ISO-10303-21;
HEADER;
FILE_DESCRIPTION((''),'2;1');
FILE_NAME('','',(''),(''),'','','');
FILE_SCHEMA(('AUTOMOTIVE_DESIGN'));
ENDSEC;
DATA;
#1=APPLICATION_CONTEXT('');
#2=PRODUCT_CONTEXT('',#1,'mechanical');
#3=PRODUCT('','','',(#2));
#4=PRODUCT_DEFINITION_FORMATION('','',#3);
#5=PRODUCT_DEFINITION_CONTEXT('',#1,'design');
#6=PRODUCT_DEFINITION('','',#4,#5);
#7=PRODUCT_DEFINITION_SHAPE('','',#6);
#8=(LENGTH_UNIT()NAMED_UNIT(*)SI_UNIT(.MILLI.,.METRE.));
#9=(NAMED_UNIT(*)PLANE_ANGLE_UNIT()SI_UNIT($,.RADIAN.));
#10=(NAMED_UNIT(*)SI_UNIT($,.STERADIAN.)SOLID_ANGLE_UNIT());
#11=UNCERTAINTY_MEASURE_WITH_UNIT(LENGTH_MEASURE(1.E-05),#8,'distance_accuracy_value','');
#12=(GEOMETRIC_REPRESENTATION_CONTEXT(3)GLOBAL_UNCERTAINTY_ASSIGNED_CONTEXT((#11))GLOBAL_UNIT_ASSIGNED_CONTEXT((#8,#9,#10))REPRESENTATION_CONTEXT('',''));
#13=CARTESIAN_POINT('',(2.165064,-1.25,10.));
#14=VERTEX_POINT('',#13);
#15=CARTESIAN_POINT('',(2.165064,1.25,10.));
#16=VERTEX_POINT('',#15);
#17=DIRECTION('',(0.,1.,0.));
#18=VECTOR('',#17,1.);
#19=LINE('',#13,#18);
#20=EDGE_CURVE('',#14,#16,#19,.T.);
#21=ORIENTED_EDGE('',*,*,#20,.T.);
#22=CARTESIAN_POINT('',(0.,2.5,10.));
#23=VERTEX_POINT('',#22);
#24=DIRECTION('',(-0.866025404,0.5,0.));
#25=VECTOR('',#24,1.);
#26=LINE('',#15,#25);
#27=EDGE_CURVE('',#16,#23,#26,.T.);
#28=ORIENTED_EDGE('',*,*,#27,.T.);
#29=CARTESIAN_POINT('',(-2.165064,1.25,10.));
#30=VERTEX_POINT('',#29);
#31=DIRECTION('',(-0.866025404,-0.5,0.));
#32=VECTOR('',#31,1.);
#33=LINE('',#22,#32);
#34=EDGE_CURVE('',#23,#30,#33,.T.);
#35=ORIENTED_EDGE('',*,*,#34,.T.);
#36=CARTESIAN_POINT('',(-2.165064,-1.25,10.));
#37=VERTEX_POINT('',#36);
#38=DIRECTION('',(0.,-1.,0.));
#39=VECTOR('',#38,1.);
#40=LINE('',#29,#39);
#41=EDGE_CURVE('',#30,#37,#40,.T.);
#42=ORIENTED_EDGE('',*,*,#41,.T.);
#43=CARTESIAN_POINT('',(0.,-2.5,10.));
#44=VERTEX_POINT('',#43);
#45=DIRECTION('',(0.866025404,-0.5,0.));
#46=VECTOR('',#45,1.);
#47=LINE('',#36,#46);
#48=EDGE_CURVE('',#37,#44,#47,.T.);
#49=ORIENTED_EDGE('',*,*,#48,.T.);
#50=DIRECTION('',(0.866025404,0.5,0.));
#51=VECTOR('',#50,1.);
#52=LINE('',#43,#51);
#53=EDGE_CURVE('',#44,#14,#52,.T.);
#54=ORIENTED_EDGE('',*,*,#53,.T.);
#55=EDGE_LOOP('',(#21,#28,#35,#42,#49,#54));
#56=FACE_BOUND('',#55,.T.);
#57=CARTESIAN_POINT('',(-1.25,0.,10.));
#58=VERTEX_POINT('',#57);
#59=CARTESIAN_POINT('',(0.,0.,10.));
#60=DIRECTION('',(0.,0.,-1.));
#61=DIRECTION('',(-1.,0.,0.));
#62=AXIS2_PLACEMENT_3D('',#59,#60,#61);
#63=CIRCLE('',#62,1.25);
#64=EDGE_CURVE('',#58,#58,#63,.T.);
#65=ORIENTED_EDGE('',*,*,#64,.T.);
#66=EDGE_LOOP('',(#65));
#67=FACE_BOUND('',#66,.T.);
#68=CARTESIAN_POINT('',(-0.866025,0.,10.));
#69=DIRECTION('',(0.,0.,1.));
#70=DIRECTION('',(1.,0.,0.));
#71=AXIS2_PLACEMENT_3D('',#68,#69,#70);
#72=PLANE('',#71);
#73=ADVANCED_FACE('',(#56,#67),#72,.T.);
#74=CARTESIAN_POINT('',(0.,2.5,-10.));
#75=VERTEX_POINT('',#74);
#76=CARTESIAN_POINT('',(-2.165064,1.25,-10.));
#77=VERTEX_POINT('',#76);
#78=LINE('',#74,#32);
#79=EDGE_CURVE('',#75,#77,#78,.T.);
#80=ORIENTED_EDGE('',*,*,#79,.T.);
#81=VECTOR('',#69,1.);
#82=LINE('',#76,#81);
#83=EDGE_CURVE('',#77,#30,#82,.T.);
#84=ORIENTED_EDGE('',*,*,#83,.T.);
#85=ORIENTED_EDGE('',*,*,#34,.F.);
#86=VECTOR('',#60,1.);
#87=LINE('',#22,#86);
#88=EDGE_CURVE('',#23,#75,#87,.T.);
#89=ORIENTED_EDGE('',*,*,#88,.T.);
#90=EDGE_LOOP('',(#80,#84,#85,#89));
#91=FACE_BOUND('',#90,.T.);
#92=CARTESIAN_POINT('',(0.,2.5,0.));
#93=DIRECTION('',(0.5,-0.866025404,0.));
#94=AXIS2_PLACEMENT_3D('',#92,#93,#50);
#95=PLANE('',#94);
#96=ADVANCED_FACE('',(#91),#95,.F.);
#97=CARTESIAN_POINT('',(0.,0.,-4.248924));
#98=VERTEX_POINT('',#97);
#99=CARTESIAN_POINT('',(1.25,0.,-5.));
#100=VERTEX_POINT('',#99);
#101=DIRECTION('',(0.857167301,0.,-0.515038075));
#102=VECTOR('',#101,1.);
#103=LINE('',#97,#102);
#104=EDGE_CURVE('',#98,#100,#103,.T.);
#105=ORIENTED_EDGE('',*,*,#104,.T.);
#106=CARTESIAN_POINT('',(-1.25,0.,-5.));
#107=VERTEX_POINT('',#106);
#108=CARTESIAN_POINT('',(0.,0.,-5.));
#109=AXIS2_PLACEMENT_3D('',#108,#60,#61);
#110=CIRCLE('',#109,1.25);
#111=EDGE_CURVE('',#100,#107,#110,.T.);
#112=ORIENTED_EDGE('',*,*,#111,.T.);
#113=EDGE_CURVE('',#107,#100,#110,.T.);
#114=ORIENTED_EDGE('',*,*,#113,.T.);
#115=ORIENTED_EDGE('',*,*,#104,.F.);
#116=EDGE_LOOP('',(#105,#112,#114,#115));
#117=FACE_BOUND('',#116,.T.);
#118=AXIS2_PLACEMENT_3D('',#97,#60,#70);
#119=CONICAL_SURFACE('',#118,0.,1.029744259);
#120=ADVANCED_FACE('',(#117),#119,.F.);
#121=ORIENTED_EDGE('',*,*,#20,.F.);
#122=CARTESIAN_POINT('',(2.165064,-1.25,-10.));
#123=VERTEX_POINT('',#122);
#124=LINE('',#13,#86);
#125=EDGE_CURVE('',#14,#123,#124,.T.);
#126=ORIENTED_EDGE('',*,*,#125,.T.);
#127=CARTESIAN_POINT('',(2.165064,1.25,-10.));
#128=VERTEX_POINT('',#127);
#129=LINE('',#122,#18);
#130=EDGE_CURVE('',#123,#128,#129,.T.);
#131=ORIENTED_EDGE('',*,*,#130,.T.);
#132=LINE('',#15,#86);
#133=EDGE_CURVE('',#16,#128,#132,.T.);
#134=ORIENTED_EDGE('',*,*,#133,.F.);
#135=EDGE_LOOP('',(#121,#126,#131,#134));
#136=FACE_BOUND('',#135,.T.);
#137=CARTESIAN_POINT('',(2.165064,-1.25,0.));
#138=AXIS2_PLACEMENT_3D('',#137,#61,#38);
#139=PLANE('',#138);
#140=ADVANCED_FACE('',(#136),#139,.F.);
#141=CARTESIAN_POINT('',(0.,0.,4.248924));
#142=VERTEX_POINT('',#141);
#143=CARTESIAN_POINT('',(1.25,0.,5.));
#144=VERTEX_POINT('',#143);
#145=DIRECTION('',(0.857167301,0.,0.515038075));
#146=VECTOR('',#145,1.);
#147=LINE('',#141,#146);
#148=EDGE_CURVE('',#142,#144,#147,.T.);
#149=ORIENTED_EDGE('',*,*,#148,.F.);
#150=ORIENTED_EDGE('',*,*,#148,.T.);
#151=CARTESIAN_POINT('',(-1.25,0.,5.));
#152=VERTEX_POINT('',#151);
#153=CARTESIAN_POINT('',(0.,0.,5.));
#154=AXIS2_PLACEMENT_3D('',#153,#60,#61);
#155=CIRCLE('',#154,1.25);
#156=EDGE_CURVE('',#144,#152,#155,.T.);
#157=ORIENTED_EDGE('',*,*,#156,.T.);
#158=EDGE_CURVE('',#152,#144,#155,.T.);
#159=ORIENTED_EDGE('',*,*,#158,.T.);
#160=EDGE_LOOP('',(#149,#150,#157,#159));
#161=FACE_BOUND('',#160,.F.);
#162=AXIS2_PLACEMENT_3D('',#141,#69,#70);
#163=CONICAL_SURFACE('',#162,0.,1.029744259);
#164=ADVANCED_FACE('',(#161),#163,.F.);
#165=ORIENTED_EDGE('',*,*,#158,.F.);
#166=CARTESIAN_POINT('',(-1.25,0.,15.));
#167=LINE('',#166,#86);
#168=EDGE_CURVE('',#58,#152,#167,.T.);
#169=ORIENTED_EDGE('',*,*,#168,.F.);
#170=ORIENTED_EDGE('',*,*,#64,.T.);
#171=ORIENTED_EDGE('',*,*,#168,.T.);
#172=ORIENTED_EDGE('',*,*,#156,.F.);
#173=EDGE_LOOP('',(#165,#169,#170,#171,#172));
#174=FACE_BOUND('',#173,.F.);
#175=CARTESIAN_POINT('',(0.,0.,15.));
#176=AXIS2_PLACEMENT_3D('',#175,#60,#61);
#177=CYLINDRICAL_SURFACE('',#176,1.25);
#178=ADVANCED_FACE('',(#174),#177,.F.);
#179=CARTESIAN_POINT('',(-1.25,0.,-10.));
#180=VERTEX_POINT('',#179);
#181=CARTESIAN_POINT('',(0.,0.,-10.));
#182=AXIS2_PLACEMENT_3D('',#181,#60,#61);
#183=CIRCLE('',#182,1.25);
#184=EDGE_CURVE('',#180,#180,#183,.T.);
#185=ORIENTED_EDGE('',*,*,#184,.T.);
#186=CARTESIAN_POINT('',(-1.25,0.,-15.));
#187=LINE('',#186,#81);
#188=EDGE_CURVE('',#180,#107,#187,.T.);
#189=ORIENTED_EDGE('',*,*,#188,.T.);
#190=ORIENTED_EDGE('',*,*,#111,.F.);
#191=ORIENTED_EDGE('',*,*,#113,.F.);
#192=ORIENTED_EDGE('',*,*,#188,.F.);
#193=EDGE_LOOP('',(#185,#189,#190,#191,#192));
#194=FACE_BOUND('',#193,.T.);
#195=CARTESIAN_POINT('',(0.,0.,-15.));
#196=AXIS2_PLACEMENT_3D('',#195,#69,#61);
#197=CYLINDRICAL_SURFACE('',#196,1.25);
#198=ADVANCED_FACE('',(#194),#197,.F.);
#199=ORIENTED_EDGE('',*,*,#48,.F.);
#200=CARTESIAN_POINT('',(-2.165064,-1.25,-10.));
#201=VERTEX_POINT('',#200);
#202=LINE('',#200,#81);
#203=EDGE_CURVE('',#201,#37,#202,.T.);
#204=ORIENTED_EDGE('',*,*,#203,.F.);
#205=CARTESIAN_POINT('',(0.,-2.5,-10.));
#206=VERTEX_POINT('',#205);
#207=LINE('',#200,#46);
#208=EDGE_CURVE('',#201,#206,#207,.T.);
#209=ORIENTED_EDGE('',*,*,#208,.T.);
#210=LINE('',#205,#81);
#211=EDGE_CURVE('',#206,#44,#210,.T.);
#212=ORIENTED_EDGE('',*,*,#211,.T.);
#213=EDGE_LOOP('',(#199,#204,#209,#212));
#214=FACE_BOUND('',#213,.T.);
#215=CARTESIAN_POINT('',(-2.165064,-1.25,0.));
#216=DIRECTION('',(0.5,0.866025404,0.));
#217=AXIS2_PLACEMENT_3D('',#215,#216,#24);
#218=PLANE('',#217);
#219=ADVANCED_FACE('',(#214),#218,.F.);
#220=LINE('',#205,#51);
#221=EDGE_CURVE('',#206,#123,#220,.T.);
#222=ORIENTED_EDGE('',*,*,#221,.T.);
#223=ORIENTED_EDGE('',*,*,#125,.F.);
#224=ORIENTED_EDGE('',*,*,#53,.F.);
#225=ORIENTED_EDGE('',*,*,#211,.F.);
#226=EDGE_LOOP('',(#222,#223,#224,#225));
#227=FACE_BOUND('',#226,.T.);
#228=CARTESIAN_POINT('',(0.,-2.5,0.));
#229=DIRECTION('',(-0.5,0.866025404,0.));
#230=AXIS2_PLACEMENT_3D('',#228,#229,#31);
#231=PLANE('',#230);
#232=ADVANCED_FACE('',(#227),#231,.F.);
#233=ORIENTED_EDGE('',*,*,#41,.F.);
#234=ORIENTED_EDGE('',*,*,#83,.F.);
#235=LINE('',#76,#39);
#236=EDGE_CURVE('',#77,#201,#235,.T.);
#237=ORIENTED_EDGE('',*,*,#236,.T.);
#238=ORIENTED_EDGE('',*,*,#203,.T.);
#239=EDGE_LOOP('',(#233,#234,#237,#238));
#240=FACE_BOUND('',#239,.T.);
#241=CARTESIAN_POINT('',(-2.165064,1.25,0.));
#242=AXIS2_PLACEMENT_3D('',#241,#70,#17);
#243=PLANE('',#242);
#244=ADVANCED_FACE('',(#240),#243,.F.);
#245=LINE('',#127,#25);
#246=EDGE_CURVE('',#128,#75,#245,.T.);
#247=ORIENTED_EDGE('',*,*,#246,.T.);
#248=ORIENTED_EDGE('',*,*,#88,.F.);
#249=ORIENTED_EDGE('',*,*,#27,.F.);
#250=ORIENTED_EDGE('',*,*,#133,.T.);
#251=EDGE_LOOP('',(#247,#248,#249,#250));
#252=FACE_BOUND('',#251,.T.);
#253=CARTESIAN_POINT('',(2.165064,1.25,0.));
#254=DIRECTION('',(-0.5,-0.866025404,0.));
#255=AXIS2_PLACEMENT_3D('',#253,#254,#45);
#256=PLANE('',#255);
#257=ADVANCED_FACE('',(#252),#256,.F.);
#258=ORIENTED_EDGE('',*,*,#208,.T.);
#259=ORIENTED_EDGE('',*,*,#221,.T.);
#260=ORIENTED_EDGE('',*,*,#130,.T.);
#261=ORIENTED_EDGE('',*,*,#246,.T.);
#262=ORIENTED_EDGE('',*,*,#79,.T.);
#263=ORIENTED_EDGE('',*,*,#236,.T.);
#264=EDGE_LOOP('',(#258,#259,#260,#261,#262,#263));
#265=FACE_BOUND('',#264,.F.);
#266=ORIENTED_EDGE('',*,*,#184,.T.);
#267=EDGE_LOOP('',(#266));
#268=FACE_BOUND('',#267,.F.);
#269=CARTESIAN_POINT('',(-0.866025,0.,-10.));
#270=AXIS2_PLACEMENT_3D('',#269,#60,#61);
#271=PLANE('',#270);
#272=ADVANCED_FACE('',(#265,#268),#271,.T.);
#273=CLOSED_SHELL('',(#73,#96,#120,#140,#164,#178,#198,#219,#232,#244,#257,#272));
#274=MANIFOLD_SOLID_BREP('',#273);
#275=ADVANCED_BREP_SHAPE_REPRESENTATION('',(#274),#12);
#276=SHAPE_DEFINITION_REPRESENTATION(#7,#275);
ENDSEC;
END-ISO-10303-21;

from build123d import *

# Parameters (mm, degrees)
F1_DEPTH = 10
F3_D     = 2.5
F3_DEPTH = 5
F3_TIP   = 0.7510757738


with BuildPart() as f1:
    # F0 (on Top) → F1 (new body)
    with BuildSketch(Plane.XY):
        Polygon((0, -2.5), (0, 0), (0, 2.5), (-2.1650635095, 1.25), (-2.1650635095, -1.25), align=None)
        Polygon((0, 2.5), (0, 0), (0, -2.5), (2.1650635095, -1.25), (2.1650635095, 1.25), align=None)
    extrude(amount=F1_DEPTH)

    # F3
    with Locations(Plane.XY.offset(10)):
        with Locations((0, 0)):
            Hole(F3_D / 2, depth=F3_DEPTH)
            with Locations((0, 0, -(F3_DEPTH + F3_TIP / 2))):  # 118° drill point
                Cone(0, F3_D / 2, F3_TIP, mode=Mode.SUBTRACT)

    # F4: F1 across plane


with BuildPart() as f1_1:
    add(f1.part)
    add(f1.part.mirror(Plane.XY))


solid = f1_1.part
